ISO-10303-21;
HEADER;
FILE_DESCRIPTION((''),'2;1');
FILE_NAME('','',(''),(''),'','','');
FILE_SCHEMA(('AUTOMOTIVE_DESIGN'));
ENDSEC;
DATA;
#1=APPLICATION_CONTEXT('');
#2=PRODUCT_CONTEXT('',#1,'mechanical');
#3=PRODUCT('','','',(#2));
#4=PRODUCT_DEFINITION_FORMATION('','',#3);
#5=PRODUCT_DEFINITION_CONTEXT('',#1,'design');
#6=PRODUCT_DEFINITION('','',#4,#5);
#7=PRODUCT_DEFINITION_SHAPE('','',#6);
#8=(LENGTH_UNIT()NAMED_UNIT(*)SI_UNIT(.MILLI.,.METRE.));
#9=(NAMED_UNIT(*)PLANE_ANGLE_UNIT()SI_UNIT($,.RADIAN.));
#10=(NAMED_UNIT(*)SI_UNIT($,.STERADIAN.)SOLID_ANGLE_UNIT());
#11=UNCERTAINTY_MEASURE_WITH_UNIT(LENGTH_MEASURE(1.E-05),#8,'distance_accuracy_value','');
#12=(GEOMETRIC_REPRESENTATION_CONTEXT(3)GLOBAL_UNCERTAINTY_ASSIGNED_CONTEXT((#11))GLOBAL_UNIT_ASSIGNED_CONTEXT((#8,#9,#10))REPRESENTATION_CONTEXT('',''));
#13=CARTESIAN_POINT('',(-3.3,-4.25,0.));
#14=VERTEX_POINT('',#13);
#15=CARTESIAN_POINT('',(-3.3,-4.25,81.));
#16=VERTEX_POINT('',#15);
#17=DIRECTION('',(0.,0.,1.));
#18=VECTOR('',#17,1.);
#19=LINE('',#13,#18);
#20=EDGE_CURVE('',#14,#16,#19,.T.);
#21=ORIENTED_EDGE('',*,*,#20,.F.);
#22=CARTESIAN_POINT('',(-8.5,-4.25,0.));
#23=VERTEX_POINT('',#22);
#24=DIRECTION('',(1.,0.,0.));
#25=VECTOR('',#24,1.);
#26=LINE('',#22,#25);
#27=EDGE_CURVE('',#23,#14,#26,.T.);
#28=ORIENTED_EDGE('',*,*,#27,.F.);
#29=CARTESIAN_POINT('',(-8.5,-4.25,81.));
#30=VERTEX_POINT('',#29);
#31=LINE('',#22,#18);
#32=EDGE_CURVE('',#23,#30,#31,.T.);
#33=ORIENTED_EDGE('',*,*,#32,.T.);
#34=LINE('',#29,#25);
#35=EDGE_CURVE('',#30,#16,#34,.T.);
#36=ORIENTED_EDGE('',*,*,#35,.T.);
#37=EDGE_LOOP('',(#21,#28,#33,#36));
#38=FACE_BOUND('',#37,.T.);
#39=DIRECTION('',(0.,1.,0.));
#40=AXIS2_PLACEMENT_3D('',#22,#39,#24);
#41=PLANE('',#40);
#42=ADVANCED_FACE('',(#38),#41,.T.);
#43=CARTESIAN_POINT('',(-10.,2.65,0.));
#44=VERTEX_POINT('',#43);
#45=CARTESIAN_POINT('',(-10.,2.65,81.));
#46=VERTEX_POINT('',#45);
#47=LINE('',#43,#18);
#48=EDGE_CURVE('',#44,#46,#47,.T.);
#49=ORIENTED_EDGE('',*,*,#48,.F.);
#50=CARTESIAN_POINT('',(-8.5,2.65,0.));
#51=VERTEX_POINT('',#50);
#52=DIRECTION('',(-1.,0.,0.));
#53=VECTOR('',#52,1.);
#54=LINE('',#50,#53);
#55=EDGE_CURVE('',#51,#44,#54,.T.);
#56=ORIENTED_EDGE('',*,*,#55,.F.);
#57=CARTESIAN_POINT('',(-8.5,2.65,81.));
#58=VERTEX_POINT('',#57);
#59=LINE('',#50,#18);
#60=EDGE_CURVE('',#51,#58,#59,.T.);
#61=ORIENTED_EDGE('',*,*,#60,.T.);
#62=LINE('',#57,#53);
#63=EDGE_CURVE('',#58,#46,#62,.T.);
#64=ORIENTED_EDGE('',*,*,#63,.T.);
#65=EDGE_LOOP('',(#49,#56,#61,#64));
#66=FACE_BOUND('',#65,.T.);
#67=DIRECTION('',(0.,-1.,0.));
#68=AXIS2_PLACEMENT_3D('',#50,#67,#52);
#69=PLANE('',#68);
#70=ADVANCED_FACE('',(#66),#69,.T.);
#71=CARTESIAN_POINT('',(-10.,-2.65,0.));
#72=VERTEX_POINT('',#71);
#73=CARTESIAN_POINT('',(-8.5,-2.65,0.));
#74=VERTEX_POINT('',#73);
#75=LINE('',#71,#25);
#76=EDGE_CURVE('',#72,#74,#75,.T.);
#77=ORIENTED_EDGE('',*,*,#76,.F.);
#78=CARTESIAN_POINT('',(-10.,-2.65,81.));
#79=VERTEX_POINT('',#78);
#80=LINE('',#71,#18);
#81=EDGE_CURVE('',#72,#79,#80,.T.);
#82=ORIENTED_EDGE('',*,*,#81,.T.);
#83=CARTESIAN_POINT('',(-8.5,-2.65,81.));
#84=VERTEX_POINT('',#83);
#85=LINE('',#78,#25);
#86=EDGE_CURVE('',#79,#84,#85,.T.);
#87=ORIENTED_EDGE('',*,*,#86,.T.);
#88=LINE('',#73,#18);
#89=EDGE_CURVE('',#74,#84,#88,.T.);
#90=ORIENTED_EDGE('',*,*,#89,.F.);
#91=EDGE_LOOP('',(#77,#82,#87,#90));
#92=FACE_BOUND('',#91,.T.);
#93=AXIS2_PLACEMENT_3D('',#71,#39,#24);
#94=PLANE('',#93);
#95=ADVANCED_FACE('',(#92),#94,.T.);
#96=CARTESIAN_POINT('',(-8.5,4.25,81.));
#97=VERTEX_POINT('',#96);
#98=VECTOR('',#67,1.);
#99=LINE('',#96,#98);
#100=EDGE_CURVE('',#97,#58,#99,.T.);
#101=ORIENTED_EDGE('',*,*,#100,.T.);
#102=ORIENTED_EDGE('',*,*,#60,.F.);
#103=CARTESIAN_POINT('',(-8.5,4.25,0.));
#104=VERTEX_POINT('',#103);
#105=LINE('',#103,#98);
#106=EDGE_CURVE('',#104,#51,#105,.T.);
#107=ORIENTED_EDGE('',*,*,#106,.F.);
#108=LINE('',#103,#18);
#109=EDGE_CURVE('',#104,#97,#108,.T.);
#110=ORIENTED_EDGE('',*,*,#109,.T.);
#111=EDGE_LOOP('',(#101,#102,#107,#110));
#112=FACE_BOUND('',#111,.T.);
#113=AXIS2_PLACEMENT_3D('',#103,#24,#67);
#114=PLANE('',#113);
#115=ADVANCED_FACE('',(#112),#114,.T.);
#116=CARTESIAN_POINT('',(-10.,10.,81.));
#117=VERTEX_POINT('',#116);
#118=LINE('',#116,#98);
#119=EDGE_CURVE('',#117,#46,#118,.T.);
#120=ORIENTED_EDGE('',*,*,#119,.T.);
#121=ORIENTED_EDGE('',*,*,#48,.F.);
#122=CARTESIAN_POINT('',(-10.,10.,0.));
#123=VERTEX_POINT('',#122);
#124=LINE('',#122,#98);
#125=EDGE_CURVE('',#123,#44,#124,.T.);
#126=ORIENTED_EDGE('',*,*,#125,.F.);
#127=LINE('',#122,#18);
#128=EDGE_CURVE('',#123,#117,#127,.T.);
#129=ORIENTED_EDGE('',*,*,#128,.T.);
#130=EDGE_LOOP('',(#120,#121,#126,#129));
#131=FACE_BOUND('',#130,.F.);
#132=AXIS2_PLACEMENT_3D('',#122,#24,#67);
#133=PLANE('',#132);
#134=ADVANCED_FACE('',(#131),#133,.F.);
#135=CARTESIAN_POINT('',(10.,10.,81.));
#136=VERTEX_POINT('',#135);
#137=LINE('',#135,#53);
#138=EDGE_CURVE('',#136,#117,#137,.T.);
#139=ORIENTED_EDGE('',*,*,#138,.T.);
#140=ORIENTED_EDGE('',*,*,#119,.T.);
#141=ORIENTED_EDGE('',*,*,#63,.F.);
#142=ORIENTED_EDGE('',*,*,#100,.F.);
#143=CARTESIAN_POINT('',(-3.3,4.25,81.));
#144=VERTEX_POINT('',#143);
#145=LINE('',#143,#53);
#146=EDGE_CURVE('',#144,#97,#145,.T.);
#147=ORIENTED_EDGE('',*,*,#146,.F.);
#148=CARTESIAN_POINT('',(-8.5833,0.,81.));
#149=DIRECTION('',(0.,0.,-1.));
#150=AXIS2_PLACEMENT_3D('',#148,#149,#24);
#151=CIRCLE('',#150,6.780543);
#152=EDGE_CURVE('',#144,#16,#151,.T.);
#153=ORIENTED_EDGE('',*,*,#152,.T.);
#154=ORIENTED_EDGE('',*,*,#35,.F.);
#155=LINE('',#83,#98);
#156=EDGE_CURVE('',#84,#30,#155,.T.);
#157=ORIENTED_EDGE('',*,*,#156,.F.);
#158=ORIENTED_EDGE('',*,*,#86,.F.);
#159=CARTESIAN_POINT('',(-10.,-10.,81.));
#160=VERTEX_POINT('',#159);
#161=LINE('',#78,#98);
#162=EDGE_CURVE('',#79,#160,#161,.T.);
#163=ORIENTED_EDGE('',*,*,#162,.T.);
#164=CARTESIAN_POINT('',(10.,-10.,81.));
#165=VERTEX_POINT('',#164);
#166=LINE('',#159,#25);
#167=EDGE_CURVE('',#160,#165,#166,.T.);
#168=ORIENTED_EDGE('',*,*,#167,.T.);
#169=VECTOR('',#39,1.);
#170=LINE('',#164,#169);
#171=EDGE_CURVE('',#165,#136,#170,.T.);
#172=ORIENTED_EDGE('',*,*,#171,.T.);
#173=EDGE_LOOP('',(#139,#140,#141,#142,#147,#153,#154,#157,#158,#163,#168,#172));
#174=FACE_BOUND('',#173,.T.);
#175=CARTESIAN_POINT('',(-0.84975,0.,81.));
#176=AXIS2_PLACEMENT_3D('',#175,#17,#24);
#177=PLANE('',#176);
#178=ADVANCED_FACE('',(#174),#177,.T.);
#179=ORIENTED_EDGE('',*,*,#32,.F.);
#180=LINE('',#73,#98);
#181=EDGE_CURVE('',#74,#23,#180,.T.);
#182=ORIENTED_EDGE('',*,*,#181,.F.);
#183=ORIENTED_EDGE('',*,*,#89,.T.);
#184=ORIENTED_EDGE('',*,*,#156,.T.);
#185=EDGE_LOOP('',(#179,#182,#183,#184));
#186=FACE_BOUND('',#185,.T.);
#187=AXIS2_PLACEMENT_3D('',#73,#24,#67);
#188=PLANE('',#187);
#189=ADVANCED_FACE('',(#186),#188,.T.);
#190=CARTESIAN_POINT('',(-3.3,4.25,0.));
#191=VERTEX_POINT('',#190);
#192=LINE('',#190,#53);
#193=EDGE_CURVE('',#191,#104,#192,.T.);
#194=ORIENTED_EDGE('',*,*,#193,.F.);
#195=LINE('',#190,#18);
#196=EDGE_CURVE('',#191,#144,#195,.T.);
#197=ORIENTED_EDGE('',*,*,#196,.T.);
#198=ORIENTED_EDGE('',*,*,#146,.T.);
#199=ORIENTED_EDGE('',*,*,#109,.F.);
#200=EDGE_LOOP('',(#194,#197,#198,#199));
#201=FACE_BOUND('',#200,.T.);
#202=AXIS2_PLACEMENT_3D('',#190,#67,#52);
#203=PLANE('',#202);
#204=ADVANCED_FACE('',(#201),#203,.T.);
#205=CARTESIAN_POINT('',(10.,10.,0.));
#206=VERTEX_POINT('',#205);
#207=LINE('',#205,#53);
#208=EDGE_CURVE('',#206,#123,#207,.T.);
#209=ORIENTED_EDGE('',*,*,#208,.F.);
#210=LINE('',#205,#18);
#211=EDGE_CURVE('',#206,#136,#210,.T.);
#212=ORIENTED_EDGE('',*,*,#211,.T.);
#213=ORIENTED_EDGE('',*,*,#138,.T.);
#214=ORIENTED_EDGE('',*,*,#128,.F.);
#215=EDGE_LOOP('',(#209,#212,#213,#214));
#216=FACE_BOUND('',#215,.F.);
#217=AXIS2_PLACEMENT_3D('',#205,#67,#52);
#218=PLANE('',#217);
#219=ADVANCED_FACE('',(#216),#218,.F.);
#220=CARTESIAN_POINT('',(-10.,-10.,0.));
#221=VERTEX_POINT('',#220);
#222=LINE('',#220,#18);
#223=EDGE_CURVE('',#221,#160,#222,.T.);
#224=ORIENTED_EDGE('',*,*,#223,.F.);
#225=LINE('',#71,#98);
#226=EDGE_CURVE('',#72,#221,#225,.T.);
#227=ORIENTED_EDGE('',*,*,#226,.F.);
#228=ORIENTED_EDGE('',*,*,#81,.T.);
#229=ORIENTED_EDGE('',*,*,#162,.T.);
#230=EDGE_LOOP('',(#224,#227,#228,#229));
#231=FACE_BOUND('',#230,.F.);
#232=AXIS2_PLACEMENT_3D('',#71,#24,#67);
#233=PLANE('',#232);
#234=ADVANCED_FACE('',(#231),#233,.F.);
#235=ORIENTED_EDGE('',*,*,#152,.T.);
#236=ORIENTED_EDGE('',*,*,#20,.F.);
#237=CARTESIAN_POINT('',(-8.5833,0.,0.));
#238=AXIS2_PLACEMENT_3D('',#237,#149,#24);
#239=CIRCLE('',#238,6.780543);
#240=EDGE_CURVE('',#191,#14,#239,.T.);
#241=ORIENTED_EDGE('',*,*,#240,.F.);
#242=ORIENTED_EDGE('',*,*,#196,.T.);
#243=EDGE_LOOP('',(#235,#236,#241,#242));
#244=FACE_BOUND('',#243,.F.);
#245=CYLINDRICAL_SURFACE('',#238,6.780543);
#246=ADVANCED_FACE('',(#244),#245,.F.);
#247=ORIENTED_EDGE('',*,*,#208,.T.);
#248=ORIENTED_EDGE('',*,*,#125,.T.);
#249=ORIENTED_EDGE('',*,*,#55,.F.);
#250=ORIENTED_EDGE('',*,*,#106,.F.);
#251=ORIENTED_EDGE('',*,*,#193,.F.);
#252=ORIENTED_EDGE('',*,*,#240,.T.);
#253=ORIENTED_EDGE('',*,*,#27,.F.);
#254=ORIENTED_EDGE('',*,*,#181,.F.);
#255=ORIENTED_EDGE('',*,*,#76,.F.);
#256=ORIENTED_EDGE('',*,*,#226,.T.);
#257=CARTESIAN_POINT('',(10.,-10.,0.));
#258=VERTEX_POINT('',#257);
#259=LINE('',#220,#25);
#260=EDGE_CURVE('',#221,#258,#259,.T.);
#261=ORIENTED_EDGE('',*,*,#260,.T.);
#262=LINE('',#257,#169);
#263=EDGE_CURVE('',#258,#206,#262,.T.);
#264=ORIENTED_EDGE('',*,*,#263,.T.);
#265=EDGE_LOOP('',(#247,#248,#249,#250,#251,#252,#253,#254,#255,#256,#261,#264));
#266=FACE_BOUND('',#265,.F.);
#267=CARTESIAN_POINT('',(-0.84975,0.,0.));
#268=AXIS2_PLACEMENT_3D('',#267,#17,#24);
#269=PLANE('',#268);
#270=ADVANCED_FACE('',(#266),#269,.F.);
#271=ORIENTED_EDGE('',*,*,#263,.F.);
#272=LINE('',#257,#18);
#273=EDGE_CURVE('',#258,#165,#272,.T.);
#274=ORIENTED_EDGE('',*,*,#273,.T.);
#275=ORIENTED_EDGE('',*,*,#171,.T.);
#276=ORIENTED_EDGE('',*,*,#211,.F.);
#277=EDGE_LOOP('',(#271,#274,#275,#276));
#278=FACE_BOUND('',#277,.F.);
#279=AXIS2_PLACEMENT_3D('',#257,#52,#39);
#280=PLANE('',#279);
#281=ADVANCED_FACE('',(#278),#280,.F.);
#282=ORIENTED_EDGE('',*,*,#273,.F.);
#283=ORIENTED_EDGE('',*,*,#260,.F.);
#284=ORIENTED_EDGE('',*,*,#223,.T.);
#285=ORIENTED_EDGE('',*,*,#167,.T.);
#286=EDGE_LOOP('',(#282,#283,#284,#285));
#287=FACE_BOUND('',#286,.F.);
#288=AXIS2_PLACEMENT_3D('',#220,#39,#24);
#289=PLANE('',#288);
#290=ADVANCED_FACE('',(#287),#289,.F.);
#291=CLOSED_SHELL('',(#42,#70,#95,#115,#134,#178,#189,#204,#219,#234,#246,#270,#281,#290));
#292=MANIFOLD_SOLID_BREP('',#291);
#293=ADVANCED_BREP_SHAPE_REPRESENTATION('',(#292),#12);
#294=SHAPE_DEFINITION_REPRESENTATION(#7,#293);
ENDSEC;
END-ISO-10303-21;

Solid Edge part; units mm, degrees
sketch "Sketch1" plane through (0, 0, 0) normal (0, 0, 1) x (1, 0, 0)
  line L0 (-10, -10) -> (10, -10)
  line L1 (10, -10) -> (10, 10)
  line L2 (10, 10) -> (-10, 10)
  line L3 (-10, 10) -> (-10, 2.65)
  line L4 (-8.5, 2.65) -> (-10, 2.65)
  line L5 (-8.5, 4.25) -> (-8.5, 2.65)
  line L6 (-3.3, 4.25) -> (-8.5, 4.25)
  arc A0 (-3.3, 4.25) -> (-3.3, -4.25) centre (-8.5833, 0) cw
  line L7 (-8.5, -4.25) -> (-3.3, -4.25)
  line L8 (-8.5, -2.65) -> (-8.5, -4.25)
  line L9 (-10, -2.65) -> (-8.5, -2.65)
  line L10 (-10, -2.65) -> (-10, -10)
extrude "Protrusion1" add sketch "Sketch1" along normal blind 81
